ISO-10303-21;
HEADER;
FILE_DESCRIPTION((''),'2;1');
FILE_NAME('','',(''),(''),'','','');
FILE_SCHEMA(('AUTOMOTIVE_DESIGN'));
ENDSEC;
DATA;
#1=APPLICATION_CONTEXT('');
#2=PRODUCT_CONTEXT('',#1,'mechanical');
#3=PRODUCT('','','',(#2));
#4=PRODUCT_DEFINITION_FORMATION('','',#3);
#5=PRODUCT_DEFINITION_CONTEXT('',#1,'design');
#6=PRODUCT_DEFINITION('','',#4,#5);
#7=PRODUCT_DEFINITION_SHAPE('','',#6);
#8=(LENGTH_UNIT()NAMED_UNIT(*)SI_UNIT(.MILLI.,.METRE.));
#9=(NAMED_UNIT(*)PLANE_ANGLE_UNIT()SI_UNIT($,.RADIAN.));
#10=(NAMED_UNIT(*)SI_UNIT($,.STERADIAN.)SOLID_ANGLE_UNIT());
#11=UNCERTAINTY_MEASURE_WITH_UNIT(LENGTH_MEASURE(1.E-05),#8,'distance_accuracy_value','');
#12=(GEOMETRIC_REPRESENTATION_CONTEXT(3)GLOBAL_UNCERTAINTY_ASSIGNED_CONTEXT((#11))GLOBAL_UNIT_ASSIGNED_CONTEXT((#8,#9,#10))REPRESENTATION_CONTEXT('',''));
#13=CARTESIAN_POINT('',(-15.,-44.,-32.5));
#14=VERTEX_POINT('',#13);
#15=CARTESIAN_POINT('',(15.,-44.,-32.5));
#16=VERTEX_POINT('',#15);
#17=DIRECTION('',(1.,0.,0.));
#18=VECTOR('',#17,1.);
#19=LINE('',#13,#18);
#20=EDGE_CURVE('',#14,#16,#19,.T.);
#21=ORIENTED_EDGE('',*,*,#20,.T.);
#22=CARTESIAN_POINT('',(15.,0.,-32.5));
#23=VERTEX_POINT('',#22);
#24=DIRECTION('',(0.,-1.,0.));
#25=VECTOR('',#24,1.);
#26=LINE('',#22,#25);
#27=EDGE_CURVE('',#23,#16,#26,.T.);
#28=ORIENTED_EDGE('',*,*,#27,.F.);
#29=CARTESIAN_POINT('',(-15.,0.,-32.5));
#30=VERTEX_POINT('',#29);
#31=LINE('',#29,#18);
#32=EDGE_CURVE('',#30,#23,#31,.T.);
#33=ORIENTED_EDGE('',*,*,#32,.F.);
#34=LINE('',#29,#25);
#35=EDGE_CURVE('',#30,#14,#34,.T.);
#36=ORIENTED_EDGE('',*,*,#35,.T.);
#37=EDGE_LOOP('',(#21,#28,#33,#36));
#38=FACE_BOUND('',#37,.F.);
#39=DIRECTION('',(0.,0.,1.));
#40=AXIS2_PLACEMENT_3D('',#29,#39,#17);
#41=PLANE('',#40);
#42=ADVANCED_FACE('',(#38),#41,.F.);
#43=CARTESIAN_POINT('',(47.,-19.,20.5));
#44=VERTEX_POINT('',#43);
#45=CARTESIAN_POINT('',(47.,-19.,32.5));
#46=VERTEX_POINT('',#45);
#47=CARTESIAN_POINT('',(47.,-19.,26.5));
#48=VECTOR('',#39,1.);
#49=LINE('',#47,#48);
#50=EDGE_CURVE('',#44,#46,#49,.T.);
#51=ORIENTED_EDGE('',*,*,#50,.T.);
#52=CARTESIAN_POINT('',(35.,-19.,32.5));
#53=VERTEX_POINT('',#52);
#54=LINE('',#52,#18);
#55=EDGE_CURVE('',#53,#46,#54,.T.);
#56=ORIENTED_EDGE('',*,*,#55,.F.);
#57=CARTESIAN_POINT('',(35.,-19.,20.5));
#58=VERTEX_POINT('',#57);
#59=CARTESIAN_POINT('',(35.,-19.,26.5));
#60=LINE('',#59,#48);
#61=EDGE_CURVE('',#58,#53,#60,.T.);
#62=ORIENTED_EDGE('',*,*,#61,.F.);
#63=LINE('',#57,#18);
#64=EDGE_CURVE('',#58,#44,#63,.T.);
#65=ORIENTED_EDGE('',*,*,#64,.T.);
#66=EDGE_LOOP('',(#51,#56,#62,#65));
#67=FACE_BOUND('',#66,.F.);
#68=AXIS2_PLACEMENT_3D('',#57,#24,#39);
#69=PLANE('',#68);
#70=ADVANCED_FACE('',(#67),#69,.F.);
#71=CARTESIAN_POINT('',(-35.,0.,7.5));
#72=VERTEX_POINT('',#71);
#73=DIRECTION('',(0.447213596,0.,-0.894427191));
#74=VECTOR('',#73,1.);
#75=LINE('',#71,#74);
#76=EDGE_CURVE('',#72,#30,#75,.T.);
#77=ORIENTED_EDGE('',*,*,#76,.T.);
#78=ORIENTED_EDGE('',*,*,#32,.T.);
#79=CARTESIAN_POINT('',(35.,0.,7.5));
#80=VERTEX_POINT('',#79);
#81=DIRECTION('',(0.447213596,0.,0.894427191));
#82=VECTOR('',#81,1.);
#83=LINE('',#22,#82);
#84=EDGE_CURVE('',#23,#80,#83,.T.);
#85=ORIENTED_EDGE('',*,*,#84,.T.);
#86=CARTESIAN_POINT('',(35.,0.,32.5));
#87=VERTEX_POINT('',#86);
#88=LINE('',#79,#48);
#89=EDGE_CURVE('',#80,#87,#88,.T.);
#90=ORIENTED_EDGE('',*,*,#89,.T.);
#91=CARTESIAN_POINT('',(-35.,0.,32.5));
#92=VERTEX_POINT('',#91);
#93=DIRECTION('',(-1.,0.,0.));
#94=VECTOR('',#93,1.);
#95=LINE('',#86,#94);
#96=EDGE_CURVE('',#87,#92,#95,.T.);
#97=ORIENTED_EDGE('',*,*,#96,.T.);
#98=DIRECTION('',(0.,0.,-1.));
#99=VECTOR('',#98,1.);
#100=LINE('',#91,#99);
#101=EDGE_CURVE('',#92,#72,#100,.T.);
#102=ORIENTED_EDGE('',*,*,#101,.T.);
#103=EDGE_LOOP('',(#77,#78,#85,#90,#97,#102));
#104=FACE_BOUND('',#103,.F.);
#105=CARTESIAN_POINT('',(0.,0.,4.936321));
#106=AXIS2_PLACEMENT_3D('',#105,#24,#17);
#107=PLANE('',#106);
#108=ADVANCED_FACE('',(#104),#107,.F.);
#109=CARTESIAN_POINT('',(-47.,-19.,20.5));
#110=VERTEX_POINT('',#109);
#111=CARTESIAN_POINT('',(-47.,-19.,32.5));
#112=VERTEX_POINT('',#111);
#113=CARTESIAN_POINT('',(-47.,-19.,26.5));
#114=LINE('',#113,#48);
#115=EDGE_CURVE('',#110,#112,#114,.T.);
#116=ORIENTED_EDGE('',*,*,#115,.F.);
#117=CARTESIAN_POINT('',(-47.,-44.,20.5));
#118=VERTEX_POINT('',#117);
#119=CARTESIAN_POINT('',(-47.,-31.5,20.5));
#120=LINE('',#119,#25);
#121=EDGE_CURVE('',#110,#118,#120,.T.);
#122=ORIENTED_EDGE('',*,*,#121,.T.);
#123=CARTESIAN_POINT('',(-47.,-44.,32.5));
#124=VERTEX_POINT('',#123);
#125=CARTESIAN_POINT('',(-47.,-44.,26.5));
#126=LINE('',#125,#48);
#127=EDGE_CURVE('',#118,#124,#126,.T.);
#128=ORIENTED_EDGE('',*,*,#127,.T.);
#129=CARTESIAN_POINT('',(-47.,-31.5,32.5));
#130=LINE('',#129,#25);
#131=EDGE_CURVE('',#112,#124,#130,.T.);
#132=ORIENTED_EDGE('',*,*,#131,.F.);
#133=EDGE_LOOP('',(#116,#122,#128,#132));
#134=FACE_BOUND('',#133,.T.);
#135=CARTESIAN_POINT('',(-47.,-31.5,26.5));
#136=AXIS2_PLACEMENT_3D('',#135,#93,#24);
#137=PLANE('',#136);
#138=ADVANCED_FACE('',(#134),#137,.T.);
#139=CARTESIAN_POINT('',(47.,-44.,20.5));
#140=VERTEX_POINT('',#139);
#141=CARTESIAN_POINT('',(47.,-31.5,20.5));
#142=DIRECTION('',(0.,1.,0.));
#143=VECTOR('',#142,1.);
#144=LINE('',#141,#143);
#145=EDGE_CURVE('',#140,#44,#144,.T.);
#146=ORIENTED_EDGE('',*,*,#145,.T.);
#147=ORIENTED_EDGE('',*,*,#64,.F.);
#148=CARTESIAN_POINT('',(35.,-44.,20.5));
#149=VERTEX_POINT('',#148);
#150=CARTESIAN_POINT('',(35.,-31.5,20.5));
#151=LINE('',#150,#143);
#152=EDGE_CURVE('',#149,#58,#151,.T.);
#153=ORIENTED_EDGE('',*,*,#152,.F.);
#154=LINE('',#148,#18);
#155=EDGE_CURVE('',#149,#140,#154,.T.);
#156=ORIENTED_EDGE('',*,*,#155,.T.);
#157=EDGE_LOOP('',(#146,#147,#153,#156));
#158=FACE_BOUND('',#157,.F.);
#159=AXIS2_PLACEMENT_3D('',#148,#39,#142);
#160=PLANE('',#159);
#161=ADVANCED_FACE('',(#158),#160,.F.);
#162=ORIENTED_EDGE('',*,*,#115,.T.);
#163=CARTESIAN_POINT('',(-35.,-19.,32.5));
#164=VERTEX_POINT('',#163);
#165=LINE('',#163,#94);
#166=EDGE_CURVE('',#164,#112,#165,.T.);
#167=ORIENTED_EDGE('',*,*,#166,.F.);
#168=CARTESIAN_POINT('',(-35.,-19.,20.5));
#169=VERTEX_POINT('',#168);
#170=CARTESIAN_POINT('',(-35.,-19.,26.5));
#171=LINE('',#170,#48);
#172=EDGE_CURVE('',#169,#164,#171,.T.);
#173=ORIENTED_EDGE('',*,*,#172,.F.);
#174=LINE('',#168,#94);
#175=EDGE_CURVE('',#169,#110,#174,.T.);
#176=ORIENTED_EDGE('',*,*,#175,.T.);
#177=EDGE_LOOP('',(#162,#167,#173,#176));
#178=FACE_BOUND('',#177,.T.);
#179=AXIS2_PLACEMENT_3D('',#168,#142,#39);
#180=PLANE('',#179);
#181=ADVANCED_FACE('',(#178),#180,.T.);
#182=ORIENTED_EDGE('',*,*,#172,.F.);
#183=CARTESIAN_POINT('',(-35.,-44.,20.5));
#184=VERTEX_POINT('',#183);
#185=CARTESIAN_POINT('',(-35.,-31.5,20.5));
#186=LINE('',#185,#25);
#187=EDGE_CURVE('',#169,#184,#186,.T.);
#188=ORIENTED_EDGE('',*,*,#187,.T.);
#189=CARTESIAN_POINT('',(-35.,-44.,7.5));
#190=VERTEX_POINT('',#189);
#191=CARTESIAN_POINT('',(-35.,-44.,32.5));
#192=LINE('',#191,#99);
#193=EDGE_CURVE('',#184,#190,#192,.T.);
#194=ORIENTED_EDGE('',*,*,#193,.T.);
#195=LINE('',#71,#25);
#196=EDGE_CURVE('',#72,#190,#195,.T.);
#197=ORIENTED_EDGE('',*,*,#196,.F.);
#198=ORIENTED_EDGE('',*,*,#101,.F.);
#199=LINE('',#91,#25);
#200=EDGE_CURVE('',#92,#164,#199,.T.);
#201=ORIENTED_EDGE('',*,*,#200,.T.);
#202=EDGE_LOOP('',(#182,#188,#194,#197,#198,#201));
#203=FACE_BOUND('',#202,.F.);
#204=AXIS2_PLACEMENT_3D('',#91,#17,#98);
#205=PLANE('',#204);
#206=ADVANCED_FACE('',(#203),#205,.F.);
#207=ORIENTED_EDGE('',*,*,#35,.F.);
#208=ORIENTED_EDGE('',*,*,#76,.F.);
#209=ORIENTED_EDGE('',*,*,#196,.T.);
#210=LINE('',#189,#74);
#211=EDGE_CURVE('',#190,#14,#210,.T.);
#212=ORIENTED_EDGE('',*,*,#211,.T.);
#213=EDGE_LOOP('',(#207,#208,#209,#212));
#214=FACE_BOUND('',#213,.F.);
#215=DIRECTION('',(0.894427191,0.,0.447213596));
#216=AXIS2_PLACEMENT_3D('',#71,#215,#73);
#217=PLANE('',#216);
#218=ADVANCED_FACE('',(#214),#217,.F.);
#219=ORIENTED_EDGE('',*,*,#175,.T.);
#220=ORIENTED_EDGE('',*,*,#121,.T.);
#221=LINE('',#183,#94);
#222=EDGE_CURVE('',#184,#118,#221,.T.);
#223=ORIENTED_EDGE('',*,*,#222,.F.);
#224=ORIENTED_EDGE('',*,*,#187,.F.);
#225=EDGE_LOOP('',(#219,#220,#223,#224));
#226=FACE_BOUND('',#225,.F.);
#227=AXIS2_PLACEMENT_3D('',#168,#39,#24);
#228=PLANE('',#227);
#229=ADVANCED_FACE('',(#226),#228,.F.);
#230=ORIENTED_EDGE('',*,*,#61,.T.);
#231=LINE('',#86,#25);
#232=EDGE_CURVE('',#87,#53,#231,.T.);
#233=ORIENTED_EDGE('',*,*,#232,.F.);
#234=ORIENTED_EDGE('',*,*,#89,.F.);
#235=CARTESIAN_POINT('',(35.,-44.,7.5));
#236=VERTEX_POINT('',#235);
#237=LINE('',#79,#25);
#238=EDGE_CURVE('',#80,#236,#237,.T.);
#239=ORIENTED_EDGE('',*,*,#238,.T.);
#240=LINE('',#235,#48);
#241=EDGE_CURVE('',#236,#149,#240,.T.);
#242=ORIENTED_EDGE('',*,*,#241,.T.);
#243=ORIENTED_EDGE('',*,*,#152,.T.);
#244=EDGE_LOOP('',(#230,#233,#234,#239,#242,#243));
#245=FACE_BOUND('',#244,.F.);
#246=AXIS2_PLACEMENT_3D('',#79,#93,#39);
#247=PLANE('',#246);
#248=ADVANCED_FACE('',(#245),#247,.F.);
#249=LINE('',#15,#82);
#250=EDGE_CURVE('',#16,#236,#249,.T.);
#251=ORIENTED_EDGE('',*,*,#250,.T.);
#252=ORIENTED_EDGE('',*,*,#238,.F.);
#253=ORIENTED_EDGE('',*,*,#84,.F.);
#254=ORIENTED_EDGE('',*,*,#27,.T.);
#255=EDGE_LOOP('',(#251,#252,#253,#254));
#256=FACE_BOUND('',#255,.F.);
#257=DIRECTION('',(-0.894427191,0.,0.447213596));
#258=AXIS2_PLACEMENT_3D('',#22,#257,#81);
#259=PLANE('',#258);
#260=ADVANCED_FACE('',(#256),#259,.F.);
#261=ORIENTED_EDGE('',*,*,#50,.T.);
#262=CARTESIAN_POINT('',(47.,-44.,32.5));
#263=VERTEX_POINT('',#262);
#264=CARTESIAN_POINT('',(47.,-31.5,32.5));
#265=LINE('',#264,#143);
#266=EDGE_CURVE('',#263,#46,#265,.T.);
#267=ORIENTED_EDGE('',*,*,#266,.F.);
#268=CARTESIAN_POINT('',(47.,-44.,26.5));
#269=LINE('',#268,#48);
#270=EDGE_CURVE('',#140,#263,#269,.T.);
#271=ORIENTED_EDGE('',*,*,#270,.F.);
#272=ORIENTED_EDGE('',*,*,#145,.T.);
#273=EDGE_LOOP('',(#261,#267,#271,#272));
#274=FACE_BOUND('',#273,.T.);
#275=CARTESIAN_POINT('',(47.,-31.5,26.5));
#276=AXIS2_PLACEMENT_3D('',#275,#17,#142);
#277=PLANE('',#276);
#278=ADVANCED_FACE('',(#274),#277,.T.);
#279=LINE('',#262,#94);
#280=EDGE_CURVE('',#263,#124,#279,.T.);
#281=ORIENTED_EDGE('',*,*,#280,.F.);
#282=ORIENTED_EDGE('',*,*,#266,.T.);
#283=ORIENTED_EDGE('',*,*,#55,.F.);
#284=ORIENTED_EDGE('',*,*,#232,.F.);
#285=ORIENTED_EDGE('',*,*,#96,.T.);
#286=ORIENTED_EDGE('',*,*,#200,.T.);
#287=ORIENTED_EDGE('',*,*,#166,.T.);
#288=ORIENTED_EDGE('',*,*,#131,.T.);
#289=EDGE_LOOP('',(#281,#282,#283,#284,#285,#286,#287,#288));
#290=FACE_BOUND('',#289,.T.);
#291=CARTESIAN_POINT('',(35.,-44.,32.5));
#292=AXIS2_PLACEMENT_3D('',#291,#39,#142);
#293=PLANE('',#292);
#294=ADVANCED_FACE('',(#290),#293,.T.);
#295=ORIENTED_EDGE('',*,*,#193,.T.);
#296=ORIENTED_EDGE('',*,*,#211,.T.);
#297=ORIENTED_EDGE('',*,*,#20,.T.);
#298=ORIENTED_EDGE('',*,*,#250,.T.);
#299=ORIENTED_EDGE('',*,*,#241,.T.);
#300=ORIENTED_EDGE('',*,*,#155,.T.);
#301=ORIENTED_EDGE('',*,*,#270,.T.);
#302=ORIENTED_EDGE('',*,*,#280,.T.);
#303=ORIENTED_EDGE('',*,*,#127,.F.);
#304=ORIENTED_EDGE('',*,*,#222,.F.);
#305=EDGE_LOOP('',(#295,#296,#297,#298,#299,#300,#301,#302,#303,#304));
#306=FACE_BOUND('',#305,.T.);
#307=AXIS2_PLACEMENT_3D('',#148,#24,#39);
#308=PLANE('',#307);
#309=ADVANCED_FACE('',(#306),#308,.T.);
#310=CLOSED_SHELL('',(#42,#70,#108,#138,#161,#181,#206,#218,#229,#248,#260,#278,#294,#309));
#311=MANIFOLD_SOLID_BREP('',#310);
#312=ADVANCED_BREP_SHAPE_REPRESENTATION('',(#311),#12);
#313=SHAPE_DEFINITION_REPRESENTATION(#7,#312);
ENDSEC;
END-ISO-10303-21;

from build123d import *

# Parameters (mm, degrees)
F1_DEPTH = 44
F2_W     = 25
F2_H     = 12
F3_DEPTH = 12
F4_W     = 25
F4_H     = 12
F5_DEPTH = 12


with BuildPart() as f1:
    # F0 (on Front) → F1 (new body)
    with BuildSketch(Plane.XZ):
        Polygon((-35, 7.5), (-15, -32.5), (15, -32.5), (35, 7.5), (35, 32.5), (-35, 32.5), align=None)
    extrude(amount=F1_DEPTH)

    # F2 (on face) → F3 (join)
    with BuildSketch(Plane(origin=(-35, 0, 0), x_dir=(0, -1, 0), z_dir=(-1, 0, 0))):
        with Locations((31.5, 26.5)):
            Rectangle(F2_W, F2_H)
    extrude(amount=F3_DEPTH)

    # F4 (on face) → F5 (join)
    with BuildSketch(Plane.YZ.offset(35)):
        with Locations((-31.5, 26.5)):
            Rectangle(F4_W, F4_H)
    extrude(amount=F5_DEPTH)


solid = f1.part
